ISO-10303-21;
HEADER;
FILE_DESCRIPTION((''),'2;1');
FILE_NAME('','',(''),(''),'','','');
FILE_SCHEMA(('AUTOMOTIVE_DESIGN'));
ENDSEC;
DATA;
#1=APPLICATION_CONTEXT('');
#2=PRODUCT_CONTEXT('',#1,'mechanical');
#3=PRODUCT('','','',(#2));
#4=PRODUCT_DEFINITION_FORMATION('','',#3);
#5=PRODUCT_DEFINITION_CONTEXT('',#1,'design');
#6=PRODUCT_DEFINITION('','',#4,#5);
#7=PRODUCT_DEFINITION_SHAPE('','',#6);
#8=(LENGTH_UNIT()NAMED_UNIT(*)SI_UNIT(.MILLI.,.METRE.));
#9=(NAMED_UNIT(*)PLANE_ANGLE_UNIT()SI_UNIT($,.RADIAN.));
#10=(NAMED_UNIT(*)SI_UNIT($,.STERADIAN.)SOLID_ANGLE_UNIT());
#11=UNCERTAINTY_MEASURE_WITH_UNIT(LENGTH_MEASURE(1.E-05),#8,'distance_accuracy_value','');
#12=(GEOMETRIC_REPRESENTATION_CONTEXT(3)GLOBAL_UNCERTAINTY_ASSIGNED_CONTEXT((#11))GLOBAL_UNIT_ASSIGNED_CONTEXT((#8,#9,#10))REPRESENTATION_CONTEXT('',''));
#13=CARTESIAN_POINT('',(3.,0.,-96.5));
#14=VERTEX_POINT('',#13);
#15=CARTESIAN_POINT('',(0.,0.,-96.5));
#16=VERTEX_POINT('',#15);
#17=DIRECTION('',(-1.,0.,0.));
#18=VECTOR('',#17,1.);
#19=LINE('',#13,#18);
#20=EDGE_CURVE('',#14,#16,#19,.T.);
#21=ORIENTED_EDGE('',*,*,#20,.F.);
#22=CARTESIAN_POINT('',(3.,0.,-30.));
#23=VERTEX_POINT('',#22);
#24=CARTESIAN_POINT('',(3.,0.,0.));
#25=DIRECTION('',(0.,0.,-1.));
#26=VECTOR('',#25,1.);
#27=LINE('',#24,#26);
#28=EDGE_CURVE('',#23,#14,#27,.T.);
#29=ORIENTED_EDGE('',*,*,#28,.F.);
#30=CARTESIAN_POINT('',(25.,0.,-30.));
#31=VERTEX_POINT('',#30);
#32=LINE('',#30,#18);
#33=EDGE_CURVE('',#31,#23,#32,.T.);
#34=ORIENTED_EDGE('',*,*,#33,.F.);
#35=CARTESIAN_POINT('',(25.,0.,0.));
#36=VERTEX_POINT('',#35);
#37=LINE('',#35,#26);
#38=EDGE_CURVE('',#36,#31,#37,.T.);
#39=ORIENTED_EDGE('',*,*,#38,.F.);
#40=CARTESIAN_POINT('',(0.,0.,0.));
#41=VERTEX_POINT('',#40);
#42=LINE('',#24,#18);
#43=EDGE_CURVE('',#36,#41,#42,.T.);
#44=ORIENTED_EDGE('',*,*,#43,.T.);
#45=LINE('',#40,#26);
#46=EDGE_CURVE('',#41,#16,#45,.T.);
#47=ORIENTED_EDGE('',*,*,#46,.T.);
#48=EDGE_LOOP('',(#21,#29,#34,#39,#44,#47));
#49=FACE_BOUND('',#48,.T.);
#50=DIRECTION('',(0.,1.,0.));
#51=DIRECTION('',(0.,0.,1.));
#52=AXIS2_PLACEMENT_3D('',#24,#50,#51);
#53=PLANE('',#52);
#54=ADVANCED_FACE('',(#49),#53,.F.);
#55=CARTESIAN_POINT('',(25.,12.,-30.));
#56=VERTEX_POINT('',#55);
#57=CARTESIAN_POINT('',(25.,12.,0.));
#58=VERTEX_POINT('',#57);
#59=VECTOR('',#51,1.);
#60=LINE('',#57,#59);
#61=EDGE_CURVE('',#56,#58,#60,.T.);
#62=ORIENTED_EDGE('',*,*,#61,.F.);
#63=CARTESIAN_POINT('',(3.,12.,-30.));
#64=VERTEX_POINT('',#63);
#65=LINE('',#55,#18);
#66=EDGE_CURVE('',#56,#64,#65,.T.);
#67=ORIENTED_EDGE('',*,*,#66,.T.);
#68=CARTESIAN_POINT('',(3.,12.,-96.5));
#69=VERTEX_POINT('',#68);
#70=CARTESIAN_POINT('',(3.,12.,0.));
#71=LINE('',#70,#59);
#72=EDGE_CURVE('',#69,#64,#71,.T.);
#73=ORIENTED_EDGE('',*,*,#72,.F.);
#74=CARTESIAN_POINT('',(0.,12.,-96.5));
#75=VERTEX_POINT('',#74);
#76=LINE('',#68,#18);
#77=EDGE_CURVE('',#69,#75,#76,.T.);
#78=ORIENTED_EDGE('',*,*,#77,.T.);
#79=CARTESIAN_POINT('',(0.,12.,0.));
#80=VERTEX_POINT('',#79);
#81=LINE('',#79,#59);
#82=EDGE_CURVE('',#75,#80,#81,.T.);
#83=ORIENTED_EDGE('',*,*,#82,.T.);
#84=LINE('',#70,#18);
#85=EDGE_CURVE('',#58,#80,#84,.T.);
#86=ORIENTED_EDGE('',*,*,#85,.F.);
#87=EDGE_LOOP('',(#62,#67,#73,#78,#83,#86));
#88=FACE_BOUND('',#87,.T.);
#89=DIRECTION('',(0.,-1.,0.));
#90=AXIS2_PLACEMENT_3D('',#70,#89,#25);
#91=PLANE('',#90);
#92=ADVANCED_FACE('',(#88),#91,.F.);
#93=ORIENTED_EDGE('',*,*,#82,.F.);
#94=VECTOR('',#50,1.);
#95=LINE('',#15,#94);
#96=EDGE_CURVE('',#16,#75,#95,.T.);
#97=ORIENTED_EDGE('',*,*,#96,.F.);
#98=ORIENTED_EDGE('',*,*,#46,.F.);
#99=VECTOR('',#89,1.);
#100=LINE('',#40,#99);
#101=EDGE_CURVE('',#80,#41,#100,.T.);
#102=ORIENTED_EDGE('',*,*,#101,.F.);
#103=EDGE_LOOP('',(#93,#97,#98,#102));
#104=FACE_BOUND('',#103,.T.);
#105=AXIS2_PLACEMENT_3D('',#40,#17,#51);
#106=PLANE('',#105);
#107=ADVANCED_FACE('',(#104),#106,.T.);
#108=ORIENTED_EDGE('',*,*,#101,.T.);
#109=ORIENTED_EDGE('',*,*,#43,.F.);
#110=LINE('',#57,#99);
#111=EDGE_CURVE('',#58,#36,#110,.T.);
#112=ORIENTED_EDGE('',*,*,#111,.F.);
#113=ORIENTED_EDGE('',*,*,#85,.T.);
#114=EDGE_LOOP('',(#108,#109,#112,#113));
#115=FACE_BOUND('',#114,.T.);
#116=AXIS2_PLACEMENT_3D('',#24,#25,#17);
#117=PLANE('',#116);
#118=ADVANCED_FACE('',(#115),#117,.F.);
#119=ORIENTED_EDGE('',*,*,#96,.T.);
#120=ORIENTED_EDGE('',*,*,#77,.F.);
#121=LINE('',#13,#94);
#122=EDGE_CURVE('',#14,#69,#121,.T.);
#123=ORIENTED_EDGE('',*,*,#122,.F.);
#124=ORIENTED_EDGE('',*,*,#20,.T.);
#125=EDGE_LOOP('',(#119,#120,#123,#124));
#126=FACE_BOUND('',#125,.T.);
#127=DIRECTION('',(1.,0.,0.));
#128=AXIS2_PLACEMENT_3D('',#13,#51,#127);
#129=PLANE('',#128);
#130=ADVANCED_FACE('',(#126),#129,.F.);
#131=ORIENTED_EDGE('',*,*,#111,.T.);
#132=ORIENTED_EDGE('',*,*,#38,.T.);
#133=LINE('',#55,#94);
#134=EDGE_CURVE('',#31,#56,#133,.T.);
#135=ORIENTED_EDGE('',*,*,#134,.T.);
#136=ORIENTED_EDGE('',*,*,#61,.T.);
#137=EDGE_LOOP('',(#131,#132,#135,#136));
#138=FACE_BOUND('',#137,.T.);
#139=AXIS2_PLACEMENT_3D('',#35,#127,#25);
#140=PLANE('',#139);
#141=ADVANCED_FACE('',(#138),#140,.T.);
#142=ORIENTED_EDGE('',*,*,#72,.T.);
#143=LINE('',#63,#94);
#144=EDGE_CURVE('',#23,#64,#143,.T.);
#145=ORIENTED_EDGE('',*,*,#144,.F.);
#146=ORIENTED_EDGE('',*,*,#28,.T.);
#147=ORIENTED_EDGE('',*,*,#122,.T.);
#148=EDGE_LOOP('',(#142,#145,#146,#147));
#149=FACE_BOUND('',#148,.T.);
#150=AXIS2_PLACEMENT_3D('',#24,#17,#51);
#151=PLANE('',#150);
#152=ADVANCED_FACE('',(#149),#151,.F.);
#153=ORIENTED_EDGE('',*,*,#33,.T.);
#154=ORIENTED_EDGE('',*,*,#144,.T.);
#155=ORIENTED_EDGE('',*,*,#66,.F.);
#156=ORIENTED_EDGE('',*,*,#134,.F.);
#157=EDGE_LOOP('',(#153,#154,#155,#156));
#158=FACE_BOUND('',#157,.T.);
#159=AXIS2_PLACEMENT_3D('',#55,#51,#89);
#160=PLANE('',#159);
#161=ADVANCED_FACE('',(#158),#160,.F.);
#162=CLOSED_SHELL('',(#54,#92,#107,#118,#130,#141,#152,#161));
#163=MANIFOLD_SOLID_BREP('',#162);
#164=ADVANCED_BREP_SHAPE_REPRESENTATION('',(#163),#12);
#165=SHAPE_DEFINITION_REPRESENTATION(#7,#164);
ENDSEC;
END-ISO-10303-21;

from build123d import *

# Parameters (mm, degrees)
SKETCH1_W           = 96.5
SKETCH1_H           = 12
BOSS_EXTRUDE1_DEPTH = 3
SKETCH2_W           = 30
SKETCH2_H           = 12
BOSS_EXTRUDE2_DEPTH = 22


with BuildPart() as part:
    # Sketch1 → Boss-Extrude1 (new body)
    with BuildSketch(Plane(origin=(0, 0, 0), x_dir=(0, 0, -1), z_dir=(1, 0, 0))):
        with Locations((48.25, 6)):
            Rectangle(SKETCH1_W, SKETCH1_H)
    extrude(amount=BOSS_EXTRUDE1_DEPTH)

    # Sketch2 → Boss-Extrude2 (add)
    with BuildSketch(Plane(origin=(3, 0, 0), x_dir=(0, 0, -1), z_dir=(1, 0, 0))):
        with Locations((15, 6)):
            Rectangle(SKETCH2_W, SKETCH2_H)
    extrude(amount=BOSS_EXTRUDE2_DEPTH)


solid = part.part
